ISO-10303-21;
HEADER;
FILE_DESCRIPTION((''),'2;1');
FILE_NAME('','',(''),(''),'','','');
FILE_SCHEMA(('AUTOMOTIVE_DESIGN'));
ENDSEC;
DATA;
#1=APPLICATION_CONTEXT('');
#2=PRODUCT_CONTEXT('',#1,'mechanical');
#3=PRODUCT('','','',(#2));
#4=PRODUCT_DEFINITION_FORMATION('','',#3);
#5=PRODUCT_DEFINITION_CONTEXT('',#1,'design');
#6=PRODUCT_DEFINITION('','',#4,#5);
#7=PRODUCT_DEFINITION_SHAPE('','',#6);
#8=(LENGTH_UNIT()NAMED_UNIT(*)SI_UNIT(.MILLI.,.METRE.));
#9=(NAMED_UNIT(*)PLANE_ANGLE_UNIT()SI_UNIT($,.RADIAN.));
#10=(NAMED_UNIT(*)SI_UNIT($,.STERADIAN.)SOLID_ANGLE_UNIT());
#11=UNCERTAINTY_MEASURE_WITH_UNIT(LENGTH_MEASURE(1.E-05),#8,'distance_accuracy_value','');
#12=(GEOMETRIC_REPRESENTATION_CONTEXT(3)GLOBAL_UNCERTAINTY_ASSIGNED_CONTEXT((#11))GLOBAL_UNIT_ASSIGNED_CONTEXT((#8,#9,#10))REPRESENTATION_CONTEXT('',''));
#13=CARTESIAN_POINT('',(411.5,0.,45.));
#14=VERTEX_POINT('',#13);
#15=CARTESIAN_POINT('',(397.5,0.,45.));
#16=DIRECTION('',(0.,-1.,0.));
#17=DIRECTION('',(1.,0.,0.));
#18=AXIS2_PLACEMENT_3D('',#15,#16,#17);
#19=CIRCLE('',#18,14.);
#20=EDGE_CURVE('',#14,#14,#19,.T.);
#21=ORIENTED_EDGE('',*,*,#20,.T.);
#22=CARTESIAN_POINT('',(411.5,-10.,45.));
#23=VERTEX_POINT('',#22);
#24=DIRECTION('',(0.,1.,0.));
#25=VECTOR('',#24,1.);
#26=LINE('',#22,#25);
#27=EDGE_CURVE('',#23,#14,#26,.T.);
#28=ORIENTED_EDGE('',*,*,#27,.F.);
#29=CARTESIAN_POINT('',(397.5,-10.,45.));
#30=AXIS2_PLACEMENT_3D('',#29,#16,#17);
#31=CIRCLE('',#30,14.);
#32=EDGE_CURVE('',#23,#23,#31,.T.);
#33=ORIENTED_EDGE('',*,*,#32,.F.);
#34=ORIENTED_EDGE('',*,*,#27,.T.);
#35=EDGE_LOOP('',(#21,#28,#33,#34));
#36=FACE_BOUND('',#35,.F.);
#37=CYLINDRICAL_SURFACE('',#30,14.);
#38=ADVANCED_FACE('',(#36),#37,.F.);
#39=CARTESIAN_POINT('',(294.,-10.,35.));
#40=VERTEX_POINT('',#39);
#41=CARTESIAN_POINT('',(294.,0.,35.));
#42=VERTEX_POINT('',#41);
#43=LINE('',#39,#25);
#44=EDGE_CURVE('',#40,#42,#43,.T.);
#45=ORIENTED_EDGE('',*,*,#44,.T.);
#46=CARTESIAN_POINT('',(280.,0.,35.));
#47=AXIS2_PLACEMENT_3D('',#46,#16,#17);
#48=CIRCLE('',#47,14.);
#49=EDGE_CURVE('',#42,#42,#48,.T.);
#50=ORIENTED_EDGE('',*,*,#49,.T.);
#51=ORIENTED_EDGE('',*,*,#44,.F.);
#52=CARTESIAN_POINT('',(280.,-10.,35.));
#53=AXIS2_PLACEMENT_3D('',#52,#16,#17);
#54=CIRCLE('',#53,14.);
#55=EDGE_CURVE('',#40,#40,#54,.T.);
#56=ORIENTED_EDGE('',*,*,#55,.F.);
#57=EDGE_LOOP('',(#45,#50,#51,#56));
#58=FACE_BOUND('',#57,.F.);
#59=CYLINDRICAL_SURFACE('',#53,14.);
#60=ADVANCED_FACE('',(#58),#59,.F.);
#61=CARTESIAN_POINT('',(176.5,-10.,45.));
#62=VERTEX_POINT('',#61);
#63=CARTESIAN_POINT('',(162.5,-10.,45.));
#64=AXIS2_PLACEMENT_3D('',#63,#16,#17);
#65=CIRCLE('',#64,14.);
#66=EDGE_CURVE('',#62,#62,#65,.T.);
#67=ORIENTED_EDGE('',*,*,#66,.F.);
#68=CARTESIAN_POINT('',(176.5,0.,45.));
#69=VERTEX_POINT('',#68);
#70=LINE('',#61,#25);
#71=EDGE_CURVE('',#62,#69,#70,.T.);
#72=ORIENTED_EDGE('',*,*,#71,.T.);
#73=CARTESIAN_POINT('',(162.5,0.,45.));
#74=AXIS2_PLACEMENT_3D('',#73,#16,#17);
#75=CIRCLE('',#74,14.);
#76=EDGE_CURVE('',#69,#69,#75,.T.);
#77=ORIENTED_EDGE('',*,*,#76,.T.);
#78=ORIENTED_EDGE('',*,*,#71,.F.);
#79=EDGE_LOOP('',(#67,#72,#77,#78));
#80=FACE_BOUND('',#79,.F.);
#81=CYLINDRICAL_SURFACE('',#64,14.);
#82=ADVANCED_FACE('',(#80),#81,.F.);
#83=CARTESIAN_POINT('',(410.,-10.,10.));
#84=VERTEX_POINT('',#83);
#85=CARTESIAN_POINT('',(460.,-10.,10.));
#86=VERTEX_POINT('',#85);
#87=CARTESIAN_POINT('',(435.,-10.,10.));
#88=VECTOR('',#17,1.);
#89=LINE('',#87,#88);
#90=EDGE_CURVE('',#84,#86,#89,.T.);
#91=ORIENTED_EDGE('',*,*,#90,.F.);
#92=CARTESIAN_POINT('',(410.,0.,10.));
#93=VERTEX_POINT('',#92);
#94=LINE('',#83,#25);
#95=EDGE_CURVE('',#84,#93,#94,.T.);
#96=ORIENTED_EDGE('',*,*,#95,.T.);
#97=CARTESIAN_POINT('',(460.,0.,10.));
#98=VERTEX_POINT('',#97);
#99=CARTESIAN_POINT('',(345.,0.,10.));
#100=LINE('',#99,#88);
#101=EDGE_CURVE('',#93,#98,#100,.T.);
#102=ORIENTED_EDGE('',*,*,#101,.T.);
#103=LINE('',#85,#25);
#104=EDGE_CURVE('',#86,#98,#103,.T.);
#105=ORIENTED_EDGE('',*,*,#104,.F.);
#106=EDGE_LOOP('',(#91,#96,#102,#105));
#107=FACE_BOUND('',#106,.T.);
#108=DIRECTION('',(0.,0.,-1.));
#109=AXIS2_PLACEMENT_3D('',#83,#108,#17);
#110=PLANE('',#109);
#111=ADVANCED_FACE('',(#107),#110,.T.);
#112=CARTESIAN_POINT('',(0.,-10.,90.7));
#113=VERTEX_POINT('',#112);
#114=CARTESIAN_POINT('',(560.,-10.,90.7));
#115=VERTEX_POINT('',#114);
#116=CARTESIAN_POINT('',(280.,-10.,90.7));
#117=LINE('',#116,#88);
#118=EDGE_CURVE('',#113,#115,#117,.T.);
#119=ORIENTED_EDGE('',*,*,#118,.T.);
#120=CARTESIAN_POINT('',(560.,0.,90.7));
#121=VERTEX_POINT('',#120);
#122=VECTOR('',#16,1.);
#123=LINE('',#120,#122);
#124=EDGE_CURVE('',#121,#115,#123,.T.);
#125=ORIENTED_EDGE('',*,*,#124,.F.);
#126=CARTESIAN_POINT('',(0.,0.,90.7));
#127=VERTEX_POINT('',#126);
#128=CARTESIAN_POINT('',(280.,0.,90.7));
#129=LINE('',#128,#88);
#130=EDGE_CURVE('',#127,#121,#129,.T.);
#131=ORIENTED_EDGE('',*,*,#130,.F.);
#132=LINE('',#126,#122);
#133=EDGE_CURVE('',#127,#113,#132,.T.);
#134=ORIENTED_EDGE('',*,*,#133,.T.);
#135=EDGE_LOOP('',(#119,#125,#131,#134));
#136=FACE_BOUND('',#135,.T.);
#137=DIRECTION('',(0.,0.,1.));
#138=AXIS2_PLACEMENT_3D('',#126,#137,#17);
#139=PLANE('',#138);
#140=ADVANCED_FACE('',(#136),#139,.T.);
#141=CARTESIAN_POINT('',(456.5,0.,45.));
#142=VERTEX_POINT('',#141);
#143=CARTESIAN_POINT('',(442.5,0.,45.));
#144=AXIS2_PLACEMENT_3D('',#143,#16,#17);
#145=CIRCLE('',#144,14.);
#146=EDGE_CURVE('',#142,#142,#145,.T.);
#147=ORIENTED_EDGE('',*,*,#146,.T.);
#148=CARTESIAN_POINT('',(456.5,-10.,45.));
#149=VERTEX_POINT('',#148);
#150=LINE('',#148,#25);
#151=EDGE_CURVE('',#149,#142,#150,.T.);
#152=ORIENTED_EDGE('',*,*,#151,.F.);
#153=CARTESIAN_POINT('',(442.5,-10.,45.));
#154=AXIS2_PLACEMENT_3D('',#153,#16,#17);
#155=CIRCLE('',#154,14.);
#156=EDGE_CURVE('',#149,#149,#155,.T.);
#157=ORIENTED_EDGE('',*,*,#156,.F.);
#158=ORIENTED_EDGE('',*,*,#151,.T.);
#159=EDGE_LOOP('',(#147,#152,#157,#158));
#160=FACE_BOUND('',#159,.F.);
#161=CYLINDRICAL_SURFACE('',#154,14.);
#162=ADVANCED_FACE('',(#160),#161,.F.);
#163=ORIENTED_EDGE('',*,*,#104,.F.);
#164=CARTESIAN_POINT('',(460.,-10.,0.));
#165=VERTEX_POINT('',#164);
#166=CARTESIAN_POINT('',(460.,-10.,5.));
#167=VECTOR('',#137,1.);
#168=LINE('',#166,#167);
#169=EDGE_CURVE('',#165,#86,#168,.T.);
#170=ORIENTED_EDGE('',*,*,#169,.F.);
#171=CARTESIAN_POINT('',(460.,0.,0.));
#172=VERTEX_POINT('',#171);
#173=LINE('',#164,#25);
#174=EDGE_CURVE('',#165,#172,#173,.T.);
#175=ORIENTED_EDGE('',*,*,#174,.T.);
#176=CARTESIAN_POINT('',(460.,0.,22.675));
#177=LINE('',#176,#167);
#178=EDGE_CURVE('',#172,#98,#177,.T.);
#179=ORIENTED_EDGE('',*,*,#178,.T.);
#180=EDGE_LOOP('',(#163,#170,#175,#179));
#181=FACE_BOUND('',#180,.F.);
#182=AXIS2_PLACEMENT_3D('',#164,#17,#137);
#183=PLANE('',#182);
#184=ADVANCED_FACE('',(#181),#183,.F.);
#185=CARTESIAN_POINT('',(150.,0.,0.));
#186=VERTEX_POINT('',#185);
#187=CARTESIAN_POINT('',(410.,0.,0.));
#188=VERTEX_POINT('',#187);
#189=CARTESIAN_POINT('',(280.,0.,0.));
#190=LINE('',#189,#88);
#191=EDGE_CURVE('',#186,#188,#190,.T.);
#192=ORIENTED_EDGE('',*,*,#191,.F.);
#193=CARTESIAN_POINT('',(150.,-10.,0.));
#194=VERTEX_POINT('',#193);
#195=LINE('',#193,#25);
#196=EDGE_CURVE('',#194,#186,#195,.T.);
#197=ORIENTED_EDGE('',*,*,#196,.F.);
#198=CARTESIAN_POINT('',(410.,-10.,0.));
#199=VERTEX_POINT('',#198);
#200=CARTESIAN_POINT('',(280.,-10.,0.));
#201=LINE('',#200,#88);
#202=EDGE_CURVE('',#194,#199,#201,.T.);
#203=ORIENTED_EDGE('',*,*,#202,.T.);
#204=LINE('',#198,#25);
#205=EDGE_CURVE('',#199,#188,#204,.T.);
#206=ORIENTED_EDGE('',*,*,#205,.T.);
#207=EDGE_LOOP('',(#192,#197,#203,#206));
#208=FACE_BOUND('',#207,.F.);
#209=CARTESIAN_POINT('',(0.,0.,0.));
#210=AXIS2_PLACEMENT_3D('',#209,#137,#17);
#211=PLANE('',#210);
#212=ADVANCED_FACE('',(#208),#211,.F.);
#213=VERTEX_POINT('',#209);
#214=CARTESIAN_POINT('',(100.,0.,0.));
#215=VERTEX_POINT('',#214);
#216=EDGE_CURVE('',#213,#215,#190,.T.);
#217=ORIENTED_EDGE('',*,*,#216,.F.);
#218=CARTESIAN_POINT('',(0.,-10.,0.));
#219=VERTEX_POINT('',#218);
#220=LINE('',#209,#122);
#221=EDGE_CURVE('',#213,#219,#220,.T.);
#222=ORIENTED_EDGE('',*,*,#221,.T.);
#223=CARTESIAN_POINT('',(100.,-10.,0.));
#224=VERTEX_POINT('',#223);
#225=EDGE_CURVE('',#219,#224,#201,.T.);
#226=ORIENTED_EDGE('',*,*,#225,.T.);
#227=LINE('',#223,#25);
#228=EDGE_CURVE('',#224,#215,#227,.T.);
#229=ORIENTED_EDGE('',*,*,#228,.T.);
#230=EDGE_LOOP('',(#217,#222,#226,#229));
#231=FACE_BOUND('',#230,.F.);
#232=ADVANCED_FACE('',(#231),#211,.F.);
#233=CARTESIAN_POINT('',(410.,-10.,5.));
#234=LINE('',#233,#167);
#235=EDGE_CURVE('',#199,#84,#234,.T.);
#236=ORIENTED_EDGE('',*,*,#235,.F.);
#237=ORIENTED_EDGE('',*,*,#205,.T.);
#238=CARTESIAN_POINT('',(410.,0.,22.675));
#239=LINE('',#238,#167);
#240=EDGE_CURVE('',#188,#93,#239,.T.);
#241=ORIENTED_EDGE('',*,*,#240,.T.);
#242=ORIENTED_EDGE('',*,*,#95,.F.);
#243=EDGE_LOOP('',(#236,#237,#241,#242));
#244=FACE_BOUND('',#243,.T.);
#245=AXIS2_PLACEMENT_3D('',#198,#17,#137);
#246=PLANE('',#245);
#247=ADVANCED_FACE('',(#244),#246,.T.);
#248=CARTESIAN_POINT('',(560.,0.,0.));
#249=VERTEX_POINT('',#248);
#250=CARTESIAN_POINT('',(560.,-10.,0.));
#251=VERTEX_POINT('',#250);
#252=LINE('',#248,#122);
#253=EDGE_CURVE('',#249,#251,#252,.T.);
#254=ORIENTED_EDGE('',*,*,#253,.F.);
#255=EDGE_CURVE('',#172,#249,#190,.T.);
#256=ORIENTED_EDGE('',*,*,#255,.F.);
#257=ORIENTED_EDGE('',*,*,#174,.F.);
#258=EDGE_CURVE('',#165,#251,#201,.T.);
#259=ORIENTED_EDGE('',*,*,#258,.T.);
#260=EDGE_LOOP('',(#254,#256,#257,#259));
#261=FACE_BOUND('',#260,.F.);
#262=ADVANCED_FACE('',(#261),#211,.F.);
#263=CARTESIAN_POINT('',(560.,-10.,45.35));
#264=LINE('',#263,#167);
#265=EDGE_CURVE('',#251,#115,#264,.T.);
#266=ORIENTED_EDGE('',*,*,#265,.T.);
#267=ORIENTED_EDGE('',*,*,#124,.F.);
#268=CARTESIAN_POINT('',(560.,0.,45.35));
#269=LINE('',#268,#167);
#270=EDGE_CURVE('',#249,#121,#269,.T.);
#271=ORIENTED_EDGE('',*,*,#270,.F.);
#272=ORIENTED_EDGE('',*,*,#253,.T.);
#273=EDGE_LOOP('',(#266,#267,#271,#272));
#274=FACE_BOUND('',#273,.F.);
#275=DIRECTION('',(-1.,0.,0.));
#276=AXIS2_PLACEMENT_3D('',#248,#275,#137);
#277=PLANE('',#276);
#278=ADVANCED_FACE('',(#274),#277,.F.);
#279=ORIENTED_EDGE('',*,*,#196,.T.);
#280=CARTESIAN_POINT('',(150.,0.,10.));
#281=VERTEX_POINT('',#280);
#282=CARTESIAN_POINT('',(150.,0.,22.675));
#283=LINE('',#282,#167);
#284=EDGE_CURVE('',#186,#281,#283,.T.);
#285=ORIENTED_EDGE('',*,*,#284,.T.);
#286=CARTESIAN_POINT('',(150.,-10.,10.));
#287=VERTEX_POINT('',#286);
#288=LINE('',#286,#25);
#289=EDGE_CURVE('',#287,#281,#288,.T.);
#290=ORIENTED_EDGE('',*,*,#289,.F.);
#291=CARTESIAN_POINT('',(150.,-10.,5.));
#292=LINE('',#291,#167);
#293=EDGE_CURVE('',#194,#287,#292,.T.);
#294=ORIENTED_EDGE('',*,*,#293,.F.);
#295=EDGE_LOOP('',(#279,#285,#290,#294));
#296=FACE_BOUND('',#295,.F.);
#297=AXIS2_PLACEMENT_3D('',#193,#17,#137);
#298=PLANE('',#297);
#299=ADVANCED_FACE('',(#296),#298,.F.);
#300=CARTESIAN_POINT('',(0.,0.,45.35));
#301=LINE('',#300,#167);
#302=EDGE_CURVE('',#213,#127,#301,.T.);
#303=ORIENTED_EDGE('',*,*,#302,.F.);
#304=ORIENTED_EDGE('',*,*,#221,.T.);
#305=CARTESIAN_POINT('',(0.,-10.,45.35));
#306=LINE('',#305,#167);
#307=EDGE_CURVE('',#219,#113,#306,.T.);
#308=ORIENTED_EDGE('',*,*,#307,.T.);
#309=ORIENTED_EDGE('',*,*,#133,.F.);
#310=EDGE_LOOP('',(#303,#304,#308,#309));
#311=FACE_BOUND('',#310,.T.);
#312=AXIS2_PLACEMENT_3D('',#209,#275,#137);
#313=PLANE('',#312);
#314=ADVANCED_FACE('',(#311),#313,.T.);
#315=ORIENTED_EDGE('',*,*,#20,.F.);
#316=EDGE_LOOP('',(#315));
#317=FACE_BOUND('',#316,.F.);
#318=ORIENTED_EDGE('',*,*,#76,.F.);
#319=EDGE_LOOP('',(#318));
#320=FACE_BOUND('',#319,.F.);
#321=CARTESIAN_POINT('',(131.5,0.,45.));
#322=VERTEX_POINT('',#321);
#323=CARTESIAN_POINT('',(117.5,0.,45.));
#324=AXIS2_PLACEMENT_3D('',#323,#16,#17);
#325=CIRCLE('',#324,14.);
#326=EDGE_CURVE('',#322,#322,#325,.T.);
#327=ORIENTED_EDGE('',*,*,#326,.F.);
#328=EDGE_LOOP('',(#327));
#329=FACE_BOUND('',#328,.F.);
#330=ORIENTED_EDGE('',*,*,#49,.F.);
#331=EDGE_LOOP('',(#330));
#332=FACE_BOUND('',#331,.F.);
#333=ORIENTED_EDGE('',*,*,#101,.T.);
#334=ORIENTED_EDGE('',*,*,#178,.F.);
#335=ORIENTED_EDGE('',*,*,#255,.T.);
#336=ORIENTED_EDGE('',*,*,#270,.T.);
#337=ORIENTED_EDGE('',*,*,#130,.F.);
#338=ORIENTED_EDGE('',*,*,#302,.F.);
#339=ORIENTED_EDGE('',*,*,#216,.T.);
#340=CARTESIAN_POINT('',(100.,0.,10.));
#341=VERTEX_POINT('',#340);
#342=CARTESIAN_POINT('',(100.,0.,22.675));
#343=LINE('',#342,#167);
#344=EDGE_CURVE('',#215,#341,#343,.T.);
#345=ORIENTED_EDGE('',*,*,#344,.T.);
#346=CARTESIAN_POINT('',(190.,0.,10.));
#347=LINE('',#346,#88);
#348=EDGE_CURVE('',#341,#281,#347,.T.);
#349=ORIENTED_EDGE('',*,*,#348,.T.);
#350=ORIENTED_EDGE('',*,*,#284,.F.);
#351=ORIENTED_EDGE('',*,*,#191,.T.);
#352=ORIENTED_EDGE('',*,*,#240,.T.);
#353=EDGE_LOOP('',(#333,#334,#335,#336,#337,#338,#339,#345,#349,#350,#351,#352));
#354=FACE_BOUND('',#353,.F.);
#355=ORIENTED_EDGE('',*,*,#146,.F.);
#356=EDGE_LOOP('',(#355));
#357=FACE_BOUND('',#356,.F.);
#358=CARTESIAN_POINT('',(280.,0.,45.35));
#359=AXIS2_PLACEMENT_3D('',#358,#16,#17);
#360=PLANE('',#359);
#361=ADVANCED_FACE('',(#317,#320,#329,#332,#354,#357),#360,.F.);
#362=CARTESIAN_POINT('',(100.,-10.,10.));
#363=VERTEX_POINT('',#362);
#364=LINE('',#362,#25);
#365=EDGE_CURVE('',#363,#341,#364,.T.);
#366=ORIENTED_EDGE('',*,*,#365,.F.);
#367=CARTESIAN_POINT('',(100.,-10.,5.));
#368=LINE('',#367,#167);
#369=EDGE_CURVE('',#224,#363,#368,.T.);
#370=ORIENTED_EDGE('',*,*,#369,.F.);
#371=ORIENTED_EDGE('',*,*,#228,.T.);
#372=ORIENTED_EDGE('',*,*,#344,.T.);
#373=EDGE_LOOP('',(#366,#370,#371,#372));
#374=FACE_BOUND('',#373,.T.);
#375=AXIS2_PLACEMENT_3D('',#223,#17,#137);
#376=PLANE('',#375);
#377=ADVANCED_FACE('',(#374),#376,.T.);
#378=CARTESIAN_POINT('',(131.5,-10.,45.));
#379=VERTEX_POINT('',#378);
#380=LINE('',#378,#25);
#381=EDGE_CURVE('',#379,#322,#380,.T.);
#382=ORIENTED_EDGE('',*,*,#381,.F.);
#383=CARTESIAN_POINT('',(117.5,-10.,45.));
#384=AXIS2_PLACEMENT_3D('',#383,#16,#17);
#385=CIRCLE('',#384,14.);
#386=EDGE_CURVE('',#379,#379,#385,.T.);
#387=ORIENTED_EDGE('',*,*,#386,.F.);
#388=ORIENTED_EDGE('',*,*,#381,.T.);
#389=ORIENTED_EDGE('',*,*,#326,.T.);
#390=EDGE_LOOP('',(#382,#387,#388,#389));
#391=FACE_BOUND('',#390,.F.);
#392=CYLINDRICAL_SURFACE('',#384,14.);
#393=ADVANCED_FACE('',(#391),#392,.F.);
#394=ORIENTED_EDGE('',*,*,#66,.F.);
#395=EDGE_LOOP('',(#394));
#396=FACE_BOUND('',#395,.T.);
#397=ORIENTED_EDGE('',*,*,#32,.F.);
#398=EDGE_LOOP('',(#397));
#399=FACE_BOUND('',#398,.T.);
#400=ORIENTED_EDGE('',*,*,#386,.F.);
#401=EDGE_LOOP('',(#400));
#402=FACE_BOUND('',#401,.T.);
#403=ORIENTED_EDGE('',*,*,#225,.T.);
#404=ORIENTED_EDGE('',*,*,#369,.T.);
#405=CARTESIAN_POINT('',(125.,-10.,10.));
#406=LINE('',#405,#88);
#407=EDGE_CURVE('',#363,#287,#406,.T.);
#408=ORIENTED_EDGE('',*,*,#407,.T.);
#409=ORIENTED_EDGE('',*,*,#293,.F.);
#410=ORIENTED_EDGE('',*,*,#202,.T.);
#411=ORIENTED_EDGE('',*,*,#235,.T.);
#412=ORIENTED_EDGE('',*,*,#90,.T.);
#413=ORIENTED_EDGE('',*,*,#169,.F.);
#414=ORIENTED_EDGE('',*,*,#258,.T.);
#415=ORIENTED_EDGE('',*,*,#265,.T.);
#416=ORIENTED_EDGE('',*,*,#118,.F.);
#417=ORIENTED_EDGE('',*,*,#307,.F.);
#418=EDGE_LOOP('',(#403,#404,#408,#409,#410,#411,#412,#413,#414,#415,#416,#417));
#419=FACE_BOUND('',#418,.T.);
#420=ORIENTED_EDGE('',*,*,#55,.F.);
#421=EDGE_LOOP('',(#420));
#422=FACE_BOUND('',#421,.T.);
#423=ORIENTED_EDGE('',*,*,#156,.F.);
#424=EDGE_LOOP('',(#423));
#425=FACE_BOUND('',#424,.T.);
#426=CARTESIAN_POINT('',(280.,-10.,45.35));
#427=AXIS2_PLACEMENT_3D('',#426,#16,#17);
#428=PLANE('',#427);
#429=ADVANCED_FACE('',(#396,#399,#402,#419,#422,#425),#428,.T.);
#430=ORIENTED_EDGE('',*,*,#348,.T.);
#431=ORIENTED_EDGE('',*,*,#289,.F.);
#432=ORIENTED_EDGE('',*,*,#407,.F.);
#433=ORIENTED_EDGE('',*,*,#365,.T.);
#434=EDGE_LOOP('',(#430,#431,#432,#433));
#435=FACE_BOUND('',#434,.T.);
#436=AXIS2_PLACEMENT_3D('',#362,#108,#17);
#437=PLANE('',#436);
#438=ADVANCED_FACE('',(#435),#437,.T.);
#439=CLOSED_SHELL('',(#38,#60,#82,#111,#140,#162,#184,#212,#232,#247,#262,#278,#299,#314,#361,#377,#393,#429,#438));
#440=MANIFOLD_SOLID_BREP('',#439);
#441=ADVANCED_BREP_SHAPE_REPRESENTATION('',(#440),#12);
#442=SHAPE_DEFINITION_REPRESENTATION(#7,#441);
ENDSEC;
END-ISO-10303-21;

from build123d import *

# Parameters (mm, degrees)
SKETCH_W        = 560
SKETCH_H        = 90.7
PAD_DEPTH       = 10
SKETCH001_R     = 14
POCKET_DEPTH    = 10.001
SKETCH002_W     = 50
SKETCH002_H     = 10
POCKET001_DEPTH = 10.001


with BuildPart() as part:
    # Sketch → Pad (new body)
    with BuildSketch(Plane.XZ):
        with Locations((280, 45.35)):
            Rectangle(SKETCH_W, SKETCH_H)
    extrude(amount=PAD_DEPTH)

    # Sketch001 → Pocket (cut, through all)
    with BuildSketch(Plane.XZ.offset(10)):
        with Locations((117.5, 45)):
            Circle(SKETCH001_R)
        with Locations((162.5, 45)):
            Circle(SKETCH001_R)
        with Locations((397.5, 45)):
            Circle(SKETCH001_R)
        with Locations((442.5, 45)):
            Circle(SKETCH001_R)
        with Locations((280, 35)):
            Circle(SKETCH001_R)
    extrude(amount=-POCKET_DEPTH, mode=Mode.SUBTRACT)

    # Sketch002 → Pocket001 (cut, through all)
    with BuildSketch(Plane.XZ.offset(10)):
        with Locations((125, 5)):
            Rectangle(SKETCH002_W, SKETCH002_H)
        with Locations((435, 5)):
            Rectangle(SKETCH002_W, SKETCH002_H)
    extrude(amount=-POCKET001_DEPTH, mode=Mode.SUBTRACT)


solid = part.part
